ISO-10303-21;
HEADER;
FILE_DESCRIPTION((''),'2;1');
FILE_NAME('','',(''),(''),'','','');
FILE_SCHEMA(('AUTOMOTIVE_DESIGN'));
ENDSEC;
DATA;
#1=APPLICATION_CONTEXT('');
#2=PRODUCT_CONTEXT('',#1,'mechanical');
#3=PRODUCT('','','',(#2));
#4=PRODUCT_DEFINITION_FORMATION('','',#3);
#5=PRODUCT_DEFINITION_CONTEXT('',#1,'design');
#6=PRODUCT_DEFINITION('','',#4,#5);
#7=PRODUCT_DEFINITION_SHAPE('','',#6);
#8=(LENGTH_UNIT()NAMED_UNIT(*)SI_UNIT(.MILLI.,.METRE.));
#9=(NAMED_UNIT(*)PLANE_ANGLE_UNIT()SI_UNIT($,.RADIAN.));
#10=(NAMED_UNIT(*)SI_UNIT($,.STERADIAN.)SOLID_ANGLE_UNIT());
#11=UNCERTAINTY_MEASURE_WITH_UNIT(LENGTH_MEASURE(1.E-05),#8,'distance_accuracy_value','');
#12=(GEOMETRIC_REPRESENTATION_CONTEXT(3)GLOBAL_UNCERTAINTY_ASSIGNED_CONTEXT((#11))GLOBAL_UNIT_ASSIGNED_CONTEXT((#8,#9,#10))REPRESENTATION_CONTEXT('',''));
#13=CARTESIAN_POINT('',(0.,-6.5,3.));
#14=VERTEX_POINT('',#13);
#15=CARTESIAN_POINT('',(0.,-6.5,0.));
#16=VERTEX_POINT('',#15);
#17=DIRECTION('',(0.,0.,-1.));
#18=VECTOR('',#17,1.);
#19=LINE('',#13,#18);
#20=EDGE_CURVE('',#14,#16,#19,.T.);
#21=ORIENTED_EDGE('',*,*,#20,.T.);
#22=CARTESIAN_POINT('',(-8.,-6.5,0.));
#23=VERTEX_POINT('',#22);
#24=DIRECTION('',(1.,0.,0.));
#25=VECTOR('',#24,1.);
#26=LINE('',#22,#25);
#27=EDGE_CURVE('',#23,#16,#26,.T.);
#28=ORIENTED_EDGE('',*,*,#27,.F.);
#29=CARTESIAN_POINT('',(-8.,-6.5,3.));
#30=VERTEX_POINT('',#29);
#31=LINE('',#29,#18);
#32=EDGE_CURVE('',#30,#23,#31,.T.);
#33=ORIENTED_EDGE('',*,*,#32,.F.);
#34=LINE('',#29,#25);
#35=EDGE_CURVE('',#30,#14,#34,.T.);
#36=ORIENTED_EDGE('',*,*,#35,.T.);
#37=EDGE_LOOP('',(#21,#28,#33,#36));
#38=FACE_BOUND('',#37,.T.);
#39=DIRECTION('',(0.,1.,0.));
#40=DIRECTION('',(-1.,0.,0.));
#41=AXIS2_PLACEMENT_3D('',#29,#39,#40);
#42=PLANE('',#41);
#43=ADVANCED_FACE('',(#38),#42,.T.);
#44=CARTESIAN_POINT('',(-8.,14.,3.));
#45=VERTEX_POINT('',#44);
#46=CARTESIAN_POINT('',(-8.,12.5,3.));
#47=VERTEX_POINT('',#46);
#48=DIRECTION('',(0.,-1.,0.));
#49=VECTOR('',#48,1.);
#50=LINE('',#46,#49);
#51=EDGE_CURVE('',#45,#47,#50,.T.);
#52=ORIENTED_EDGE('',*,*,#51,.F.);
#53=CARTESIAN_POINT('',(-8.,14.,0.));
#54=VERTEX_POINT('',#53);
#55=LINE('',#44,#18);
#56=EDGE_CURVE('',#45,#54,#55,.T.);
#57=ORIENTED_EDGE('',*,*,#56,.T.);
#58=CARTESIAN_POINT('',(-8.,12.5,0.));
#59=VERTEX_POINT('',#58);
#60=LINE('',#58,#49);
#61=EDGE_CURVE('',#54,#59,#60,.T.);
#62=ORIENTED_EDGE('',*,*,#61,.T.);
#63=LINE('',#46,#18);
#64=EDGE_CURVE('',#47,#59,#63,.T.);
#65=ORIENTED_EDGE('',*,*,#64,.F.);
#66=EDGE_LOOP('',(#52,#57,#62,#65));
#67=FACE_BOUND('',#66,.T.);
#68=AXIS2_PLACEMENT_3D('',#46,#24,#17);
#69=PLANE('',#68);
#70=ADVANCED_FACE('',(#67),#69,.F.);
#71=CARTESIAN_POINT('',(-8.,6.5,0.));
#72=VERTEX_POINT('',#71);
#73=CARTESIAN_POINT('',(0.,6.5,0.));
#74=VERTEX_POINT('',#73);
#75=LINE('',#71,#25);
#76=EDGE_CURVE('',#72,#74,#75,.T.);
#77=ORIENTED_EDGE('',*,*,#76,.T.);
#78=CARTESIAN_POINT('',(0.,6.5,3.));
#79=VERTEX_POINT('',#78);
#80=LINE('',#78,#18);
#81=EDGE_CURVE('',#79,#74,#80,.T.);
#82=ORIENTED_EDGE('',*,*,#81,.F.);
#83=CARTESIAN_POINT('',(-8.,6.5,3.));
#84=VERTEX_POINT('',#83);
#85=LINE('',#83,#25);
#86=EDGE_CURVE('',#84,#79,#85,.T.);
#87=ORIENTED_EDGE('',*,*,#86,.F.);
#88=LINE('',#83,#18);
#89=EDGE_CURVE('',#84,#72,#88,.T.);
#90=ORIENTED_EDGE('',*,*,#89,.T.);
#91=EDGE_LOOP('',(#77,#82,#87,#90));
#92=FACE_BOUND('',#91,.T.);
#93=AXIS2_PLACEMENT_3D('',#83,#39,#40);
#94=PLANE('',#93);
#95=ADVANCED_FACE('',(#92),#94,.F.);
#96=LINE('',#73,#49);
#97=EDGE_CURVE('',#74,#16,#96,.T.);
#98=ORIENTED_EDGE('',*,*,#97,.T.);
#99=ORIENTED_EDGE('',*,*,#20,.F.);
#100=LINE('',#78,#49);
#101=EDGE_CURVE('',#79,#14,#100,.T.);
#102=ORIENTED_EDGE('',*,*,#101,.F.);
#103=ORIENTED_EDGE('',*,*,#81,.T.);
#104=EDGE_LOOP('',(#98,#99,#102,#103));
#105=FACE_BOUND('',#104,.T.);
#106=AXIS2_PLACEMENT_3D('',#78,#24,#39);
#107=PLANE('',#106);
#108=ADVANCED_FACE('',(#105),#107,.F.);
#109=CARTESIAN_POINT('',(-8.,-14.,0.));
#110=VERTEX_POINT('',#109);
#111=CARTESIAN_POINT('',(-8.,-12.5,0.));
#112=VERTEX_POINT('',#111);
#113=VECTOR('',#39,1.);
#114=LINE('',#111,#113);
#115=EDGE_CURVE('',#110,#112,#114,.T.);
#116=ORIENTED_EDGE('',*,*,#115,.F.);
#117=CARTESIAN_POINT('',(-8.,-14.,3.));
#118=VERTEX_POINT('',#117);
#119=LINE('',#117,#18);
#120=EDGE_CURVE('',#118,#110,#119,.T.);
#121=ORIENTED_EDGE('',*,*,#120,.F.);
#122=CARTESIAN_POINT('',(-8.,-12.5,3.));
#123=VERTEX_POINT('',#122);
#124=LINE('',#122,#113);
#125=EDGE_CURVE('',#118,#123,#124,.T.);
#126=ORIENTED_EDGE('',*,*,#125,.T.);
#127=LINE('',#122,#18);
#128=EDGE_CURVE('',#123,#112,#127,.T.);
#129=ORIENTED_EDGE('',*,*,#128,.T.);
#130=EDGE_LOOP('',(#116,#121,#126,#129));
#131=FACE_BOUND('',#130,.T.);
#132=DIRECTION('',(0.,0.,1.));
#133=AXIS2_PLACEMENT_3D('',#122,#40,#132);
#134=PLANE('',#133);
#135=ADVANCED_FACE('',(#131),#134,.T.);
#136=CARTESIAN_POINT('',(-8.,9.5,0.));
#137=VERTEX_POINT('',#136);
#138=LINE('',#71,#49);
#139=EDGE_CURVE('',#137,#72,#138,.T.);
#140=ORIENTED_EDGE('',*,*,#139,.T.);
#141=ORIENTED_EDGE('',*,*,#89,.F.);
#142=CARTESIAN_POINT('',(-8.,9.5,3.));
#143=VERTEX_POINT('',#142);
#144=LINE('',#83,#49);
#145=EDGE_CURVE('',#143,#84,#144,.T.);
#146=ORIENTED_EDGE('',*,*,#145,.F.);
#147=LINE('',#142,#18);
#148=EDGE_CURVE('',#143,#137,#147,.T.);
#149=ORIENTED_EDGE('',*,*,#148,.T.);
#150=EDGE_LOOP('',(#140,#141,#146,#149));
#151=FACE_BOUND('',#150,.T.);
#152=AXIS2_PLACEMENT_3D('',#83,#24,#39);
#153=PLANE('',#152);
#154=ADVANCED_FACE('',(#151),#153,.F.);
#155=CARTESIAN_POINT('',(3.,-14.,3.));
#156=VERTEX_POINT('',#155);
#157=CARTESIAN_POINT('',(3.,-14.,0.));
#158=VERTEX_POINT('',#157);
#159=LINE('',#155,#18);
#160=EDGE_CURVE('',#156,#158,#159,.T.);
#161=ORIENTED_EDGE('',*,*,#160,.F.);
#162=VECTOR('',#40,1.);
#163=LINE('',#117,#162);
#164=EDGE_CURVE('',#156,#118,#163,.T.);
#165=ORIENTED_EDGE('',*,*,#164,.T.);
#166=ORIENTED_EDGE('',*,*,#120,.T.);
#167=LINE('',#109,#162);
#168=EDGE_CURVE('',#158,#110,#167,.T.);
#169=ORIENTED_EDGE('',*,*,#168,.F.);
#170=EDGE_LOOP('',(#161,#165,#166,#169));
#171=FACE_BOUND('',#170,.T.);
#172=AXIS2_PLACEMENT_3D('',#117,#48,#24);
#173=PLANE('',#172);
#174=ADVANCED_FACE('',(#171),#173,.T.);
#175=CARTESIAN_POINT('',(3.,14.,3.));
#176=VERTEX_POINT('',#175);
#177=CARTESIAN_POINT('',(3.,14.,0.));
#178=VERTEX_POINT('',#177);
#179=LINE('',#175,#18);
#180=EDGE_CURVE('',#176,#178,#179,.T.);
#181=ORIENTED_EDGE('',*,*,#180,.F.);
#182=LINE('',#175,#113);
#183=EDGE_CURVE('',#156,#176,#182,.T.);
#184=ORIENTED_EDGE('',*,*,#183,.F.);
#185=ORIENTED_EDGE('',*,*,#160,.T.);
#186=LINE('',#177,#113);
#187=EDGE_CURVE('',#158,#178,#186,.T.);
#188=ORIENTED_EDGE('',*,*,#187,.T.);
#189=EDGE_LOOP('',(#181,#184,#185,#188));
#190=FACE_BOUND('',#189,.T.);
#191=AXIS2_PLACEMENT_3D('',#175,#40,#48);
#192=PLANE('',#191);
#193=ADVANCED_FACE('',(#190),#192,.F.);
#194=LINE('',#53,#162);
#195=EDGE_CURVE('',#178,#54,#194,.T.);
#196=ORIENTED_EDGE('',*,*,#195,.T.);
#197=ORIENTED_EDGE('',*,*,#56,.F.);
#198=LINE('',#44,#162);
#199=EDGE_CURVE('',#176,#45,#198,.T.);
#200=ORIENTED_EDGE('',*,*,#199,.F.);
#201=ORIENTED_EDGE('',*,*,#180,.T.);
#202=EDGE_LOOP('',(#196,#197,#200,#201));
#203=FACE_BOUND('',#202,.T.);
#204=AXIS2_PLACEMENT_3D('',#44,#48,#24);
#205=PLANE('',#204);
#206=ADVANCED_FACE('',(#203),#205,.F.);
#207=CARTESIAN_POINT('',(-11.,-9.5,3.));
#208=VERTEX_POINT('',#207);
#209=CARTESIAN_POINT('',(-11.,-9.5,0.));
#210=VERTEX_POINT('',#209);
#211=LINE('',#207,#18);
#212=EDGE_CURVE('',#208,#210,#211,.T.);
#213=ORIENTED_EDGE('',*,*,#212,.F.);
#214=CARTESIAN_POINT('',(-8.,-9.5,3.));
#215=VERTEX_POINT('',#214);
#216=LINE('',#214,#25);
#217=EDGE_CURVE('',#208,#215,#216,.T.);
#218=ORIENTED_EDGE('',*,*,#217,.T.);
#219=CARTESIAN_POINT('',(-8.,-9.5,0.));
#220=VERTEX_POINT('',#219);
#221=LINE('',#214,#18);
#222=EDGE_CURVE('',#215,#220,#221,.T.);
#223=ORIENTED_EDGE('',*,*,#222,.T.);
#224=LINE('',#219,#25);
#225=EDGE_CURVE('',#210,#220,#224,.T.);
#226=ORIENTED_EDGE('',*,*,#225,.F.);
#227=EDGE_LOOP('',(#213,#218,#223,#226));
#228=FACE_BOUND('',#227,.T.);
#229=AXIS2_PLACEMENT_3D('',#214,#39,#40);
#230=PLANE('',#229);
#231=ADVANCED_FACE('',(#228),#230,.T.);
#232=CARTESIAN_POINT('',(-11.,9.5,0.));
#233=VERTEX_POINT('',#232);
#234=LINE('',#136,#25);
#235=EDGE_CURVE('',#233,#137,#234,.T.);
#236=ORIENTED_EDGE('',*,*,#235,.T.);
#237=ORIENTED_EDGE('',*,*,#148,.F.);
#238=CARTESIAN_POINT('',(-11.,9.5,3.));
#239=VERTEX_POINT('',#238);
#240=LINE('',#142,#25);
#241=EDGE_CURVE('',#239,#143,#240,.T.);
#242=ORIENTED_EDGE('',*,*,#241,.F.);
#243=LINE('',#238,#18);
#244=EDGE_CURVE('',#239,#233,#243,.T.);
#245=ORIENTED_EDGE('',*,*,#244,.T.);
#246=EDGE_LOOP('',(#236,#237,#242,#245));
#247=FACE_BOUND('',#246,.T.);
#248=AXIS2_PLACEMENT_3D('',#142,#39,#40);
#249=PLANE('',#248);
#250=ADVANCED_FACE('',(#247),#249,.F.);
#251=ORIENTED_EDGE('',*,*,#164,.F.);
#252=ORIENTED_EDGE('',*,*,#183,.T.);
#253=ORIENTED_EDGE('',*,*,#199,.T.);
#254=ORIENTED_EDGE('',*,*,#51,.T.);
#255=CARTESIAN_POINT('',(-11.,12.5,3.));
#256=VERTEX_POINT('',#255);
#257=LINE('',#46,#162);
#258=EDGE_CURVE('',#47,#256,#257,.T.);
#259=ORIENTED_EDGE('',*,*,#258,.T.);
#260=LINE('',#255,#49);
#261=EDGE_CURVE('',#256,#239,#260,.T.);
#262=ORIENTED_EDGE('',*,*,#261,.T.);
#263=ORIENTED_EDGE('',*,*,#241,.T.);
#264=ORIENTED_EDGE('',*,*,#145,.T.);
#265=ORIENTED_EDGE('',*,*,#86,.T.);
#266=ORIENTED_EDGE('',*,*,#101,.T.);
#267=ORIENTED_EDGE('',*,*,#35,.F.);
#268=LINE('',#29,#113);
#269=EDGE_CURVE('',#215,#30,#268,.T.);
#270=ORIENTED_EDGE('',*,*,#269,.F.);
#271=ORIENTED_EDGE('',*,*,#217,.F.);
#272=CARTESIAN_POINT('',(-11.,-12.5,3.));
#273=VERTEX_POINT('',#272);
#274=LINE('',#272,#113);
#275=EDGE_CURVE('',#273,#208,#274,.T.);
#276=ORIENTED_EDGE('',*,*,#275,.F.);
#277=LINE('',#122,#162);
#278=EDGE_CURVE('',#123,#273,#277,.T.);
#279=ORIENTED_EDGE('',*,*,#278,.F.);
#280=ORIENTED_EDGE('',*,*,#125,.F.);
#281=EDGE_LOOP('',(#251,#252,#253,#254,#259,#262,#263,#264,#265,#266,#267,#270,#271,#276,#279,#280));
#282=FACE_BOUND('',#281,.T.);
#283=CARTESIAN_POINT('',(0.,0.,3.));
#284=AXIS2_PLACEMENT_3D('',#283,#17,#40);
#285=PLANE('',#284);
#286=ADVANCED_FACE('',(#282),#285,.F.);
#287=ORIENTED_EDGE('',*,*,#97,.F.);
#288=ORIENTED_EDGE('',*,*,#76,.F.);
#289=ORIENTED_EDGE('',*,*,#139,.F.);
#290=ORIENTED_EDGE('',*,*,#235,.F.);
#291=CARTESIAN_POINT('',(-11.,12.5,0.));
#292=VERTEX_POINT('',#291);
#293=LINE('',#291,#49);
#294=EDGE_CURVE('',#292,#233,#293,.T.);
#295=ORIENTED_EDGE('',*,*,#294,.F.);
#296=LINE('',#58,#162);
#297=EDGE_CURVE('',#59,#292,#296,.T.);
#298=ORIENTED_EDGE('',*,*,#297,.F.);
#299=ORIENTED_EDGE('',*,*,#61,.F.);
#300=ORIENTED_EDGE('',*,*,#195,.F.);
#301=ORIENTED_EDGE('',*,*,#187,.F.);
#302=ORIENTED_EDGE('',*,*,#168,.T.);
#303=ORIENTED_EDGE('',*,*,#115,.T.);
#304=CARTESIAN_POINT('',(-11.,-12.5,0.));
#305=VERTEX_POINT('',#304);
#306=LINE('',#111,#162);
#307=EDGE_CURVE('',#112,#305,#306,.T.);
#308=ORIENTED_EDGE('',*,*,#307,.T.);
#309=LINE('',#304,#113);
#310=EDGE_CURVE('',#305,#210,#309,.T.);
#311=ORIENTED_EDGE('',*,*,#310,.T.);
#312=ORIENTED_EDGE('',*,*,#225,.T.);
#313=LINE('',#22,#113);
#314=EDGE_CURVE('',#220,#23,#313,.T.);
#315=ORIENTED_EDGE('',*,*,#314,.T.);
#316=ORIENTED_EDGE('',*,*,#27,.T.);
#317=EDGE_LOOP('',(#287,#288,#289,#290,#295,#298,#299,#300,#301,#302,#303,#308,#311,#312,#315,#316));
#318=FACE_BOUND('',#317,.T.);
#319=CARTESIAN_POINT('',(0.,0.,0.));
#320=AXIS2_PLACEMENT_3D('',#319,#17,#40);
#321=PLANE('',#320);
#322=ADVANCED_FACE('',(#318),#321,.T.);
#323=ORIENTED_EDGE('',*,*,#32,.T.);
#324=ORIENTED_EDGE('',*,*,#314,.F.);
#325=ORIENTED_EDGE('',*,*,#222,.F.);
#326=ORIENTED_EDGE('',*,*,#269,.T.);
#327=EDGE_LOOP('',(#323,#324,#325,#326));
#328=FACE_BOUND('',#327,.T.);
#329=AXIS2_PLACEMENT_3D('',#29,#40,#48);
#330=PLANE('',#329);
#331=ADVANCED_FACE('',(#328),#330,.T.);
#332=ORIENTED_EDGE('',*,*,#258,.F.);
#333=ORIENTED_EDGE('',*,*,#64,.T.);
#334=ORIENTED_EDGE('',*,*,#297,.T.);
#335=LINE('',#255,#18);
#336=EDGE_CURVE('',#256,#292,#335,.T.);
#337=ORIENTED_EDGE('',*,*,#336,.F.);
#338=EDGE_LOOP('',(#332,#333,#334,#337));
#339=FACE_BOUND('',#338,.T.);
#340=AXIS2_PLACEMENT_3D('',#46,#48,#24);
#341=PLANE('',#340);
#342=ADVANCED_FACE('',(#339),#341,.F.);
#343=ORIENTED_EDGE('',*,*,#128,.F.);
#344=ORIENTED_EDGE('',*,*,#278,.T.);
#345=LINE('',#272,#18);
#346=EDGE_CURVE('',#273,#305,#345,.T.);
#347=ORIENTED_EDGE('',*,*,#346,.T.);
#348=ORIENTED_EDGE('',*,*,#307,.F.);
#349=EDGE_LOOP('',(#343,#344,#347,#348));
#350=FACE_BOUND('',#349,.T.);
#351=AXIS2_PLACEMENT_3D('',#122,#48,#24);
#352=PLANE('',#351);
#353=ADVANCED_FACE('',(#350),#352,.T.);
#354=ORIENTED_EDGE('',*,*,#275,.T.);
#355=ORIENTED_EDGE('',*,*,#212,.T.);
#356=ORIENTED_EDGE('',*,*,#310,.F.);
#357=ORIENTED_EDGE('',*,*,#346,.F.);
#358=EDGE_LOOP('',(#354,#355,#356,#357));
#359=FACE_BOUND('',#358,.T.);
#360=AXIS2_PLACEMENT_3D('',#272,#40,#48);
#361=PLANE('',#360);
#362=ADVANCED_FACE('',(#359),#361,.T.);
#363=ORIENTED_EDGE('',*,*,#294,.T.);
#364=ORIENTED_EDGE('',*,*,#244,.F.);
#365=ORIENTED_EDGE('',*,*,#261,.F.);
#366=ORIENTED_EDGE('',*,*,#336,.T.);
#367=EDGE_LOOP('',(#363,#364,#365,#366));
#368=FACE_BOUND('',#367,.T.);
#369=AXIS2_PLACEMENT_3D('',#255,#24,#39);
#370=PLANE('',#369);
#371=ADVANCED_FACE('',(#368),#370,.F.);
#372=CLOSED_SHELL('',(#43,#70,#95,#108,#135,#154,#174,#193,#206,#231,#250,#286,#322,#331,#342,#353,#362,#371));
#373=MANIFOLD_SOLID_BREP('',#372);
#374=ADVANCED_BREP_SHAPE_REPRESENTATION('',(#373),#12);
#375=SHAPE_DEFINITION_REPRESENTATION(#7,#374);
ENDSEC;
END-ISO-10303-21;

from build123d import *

# Parameters (mm, degrees)
SALIENTE_EXTRUIR1_DEPTH = 3


with BuildPart() as part:
    # Croquis1 → Saliente-Extruir1 (new body)
    with BuildSketch(Plane.XY):
        Polygon((-8, 12.5), (-11, 12.5), (-11, 9.5), (-8, 9.5), (-8, 6.5), (0, 6.5), (0, 0), (3, 0), (3, 14), (-8, 14), align=None)
    saliente_extruir1 = extrude(amount=SALIENTE_EXTRUIR1_DEPTH)

    # Simetría1: Saliente-Extruir1 across plane
    add(saliente_extruir1.mirror(Plane(origin=(0, 0, 3), x_dir=(0, 0, 1), z_dir=(0, 1, 0))))


solid = part.part
